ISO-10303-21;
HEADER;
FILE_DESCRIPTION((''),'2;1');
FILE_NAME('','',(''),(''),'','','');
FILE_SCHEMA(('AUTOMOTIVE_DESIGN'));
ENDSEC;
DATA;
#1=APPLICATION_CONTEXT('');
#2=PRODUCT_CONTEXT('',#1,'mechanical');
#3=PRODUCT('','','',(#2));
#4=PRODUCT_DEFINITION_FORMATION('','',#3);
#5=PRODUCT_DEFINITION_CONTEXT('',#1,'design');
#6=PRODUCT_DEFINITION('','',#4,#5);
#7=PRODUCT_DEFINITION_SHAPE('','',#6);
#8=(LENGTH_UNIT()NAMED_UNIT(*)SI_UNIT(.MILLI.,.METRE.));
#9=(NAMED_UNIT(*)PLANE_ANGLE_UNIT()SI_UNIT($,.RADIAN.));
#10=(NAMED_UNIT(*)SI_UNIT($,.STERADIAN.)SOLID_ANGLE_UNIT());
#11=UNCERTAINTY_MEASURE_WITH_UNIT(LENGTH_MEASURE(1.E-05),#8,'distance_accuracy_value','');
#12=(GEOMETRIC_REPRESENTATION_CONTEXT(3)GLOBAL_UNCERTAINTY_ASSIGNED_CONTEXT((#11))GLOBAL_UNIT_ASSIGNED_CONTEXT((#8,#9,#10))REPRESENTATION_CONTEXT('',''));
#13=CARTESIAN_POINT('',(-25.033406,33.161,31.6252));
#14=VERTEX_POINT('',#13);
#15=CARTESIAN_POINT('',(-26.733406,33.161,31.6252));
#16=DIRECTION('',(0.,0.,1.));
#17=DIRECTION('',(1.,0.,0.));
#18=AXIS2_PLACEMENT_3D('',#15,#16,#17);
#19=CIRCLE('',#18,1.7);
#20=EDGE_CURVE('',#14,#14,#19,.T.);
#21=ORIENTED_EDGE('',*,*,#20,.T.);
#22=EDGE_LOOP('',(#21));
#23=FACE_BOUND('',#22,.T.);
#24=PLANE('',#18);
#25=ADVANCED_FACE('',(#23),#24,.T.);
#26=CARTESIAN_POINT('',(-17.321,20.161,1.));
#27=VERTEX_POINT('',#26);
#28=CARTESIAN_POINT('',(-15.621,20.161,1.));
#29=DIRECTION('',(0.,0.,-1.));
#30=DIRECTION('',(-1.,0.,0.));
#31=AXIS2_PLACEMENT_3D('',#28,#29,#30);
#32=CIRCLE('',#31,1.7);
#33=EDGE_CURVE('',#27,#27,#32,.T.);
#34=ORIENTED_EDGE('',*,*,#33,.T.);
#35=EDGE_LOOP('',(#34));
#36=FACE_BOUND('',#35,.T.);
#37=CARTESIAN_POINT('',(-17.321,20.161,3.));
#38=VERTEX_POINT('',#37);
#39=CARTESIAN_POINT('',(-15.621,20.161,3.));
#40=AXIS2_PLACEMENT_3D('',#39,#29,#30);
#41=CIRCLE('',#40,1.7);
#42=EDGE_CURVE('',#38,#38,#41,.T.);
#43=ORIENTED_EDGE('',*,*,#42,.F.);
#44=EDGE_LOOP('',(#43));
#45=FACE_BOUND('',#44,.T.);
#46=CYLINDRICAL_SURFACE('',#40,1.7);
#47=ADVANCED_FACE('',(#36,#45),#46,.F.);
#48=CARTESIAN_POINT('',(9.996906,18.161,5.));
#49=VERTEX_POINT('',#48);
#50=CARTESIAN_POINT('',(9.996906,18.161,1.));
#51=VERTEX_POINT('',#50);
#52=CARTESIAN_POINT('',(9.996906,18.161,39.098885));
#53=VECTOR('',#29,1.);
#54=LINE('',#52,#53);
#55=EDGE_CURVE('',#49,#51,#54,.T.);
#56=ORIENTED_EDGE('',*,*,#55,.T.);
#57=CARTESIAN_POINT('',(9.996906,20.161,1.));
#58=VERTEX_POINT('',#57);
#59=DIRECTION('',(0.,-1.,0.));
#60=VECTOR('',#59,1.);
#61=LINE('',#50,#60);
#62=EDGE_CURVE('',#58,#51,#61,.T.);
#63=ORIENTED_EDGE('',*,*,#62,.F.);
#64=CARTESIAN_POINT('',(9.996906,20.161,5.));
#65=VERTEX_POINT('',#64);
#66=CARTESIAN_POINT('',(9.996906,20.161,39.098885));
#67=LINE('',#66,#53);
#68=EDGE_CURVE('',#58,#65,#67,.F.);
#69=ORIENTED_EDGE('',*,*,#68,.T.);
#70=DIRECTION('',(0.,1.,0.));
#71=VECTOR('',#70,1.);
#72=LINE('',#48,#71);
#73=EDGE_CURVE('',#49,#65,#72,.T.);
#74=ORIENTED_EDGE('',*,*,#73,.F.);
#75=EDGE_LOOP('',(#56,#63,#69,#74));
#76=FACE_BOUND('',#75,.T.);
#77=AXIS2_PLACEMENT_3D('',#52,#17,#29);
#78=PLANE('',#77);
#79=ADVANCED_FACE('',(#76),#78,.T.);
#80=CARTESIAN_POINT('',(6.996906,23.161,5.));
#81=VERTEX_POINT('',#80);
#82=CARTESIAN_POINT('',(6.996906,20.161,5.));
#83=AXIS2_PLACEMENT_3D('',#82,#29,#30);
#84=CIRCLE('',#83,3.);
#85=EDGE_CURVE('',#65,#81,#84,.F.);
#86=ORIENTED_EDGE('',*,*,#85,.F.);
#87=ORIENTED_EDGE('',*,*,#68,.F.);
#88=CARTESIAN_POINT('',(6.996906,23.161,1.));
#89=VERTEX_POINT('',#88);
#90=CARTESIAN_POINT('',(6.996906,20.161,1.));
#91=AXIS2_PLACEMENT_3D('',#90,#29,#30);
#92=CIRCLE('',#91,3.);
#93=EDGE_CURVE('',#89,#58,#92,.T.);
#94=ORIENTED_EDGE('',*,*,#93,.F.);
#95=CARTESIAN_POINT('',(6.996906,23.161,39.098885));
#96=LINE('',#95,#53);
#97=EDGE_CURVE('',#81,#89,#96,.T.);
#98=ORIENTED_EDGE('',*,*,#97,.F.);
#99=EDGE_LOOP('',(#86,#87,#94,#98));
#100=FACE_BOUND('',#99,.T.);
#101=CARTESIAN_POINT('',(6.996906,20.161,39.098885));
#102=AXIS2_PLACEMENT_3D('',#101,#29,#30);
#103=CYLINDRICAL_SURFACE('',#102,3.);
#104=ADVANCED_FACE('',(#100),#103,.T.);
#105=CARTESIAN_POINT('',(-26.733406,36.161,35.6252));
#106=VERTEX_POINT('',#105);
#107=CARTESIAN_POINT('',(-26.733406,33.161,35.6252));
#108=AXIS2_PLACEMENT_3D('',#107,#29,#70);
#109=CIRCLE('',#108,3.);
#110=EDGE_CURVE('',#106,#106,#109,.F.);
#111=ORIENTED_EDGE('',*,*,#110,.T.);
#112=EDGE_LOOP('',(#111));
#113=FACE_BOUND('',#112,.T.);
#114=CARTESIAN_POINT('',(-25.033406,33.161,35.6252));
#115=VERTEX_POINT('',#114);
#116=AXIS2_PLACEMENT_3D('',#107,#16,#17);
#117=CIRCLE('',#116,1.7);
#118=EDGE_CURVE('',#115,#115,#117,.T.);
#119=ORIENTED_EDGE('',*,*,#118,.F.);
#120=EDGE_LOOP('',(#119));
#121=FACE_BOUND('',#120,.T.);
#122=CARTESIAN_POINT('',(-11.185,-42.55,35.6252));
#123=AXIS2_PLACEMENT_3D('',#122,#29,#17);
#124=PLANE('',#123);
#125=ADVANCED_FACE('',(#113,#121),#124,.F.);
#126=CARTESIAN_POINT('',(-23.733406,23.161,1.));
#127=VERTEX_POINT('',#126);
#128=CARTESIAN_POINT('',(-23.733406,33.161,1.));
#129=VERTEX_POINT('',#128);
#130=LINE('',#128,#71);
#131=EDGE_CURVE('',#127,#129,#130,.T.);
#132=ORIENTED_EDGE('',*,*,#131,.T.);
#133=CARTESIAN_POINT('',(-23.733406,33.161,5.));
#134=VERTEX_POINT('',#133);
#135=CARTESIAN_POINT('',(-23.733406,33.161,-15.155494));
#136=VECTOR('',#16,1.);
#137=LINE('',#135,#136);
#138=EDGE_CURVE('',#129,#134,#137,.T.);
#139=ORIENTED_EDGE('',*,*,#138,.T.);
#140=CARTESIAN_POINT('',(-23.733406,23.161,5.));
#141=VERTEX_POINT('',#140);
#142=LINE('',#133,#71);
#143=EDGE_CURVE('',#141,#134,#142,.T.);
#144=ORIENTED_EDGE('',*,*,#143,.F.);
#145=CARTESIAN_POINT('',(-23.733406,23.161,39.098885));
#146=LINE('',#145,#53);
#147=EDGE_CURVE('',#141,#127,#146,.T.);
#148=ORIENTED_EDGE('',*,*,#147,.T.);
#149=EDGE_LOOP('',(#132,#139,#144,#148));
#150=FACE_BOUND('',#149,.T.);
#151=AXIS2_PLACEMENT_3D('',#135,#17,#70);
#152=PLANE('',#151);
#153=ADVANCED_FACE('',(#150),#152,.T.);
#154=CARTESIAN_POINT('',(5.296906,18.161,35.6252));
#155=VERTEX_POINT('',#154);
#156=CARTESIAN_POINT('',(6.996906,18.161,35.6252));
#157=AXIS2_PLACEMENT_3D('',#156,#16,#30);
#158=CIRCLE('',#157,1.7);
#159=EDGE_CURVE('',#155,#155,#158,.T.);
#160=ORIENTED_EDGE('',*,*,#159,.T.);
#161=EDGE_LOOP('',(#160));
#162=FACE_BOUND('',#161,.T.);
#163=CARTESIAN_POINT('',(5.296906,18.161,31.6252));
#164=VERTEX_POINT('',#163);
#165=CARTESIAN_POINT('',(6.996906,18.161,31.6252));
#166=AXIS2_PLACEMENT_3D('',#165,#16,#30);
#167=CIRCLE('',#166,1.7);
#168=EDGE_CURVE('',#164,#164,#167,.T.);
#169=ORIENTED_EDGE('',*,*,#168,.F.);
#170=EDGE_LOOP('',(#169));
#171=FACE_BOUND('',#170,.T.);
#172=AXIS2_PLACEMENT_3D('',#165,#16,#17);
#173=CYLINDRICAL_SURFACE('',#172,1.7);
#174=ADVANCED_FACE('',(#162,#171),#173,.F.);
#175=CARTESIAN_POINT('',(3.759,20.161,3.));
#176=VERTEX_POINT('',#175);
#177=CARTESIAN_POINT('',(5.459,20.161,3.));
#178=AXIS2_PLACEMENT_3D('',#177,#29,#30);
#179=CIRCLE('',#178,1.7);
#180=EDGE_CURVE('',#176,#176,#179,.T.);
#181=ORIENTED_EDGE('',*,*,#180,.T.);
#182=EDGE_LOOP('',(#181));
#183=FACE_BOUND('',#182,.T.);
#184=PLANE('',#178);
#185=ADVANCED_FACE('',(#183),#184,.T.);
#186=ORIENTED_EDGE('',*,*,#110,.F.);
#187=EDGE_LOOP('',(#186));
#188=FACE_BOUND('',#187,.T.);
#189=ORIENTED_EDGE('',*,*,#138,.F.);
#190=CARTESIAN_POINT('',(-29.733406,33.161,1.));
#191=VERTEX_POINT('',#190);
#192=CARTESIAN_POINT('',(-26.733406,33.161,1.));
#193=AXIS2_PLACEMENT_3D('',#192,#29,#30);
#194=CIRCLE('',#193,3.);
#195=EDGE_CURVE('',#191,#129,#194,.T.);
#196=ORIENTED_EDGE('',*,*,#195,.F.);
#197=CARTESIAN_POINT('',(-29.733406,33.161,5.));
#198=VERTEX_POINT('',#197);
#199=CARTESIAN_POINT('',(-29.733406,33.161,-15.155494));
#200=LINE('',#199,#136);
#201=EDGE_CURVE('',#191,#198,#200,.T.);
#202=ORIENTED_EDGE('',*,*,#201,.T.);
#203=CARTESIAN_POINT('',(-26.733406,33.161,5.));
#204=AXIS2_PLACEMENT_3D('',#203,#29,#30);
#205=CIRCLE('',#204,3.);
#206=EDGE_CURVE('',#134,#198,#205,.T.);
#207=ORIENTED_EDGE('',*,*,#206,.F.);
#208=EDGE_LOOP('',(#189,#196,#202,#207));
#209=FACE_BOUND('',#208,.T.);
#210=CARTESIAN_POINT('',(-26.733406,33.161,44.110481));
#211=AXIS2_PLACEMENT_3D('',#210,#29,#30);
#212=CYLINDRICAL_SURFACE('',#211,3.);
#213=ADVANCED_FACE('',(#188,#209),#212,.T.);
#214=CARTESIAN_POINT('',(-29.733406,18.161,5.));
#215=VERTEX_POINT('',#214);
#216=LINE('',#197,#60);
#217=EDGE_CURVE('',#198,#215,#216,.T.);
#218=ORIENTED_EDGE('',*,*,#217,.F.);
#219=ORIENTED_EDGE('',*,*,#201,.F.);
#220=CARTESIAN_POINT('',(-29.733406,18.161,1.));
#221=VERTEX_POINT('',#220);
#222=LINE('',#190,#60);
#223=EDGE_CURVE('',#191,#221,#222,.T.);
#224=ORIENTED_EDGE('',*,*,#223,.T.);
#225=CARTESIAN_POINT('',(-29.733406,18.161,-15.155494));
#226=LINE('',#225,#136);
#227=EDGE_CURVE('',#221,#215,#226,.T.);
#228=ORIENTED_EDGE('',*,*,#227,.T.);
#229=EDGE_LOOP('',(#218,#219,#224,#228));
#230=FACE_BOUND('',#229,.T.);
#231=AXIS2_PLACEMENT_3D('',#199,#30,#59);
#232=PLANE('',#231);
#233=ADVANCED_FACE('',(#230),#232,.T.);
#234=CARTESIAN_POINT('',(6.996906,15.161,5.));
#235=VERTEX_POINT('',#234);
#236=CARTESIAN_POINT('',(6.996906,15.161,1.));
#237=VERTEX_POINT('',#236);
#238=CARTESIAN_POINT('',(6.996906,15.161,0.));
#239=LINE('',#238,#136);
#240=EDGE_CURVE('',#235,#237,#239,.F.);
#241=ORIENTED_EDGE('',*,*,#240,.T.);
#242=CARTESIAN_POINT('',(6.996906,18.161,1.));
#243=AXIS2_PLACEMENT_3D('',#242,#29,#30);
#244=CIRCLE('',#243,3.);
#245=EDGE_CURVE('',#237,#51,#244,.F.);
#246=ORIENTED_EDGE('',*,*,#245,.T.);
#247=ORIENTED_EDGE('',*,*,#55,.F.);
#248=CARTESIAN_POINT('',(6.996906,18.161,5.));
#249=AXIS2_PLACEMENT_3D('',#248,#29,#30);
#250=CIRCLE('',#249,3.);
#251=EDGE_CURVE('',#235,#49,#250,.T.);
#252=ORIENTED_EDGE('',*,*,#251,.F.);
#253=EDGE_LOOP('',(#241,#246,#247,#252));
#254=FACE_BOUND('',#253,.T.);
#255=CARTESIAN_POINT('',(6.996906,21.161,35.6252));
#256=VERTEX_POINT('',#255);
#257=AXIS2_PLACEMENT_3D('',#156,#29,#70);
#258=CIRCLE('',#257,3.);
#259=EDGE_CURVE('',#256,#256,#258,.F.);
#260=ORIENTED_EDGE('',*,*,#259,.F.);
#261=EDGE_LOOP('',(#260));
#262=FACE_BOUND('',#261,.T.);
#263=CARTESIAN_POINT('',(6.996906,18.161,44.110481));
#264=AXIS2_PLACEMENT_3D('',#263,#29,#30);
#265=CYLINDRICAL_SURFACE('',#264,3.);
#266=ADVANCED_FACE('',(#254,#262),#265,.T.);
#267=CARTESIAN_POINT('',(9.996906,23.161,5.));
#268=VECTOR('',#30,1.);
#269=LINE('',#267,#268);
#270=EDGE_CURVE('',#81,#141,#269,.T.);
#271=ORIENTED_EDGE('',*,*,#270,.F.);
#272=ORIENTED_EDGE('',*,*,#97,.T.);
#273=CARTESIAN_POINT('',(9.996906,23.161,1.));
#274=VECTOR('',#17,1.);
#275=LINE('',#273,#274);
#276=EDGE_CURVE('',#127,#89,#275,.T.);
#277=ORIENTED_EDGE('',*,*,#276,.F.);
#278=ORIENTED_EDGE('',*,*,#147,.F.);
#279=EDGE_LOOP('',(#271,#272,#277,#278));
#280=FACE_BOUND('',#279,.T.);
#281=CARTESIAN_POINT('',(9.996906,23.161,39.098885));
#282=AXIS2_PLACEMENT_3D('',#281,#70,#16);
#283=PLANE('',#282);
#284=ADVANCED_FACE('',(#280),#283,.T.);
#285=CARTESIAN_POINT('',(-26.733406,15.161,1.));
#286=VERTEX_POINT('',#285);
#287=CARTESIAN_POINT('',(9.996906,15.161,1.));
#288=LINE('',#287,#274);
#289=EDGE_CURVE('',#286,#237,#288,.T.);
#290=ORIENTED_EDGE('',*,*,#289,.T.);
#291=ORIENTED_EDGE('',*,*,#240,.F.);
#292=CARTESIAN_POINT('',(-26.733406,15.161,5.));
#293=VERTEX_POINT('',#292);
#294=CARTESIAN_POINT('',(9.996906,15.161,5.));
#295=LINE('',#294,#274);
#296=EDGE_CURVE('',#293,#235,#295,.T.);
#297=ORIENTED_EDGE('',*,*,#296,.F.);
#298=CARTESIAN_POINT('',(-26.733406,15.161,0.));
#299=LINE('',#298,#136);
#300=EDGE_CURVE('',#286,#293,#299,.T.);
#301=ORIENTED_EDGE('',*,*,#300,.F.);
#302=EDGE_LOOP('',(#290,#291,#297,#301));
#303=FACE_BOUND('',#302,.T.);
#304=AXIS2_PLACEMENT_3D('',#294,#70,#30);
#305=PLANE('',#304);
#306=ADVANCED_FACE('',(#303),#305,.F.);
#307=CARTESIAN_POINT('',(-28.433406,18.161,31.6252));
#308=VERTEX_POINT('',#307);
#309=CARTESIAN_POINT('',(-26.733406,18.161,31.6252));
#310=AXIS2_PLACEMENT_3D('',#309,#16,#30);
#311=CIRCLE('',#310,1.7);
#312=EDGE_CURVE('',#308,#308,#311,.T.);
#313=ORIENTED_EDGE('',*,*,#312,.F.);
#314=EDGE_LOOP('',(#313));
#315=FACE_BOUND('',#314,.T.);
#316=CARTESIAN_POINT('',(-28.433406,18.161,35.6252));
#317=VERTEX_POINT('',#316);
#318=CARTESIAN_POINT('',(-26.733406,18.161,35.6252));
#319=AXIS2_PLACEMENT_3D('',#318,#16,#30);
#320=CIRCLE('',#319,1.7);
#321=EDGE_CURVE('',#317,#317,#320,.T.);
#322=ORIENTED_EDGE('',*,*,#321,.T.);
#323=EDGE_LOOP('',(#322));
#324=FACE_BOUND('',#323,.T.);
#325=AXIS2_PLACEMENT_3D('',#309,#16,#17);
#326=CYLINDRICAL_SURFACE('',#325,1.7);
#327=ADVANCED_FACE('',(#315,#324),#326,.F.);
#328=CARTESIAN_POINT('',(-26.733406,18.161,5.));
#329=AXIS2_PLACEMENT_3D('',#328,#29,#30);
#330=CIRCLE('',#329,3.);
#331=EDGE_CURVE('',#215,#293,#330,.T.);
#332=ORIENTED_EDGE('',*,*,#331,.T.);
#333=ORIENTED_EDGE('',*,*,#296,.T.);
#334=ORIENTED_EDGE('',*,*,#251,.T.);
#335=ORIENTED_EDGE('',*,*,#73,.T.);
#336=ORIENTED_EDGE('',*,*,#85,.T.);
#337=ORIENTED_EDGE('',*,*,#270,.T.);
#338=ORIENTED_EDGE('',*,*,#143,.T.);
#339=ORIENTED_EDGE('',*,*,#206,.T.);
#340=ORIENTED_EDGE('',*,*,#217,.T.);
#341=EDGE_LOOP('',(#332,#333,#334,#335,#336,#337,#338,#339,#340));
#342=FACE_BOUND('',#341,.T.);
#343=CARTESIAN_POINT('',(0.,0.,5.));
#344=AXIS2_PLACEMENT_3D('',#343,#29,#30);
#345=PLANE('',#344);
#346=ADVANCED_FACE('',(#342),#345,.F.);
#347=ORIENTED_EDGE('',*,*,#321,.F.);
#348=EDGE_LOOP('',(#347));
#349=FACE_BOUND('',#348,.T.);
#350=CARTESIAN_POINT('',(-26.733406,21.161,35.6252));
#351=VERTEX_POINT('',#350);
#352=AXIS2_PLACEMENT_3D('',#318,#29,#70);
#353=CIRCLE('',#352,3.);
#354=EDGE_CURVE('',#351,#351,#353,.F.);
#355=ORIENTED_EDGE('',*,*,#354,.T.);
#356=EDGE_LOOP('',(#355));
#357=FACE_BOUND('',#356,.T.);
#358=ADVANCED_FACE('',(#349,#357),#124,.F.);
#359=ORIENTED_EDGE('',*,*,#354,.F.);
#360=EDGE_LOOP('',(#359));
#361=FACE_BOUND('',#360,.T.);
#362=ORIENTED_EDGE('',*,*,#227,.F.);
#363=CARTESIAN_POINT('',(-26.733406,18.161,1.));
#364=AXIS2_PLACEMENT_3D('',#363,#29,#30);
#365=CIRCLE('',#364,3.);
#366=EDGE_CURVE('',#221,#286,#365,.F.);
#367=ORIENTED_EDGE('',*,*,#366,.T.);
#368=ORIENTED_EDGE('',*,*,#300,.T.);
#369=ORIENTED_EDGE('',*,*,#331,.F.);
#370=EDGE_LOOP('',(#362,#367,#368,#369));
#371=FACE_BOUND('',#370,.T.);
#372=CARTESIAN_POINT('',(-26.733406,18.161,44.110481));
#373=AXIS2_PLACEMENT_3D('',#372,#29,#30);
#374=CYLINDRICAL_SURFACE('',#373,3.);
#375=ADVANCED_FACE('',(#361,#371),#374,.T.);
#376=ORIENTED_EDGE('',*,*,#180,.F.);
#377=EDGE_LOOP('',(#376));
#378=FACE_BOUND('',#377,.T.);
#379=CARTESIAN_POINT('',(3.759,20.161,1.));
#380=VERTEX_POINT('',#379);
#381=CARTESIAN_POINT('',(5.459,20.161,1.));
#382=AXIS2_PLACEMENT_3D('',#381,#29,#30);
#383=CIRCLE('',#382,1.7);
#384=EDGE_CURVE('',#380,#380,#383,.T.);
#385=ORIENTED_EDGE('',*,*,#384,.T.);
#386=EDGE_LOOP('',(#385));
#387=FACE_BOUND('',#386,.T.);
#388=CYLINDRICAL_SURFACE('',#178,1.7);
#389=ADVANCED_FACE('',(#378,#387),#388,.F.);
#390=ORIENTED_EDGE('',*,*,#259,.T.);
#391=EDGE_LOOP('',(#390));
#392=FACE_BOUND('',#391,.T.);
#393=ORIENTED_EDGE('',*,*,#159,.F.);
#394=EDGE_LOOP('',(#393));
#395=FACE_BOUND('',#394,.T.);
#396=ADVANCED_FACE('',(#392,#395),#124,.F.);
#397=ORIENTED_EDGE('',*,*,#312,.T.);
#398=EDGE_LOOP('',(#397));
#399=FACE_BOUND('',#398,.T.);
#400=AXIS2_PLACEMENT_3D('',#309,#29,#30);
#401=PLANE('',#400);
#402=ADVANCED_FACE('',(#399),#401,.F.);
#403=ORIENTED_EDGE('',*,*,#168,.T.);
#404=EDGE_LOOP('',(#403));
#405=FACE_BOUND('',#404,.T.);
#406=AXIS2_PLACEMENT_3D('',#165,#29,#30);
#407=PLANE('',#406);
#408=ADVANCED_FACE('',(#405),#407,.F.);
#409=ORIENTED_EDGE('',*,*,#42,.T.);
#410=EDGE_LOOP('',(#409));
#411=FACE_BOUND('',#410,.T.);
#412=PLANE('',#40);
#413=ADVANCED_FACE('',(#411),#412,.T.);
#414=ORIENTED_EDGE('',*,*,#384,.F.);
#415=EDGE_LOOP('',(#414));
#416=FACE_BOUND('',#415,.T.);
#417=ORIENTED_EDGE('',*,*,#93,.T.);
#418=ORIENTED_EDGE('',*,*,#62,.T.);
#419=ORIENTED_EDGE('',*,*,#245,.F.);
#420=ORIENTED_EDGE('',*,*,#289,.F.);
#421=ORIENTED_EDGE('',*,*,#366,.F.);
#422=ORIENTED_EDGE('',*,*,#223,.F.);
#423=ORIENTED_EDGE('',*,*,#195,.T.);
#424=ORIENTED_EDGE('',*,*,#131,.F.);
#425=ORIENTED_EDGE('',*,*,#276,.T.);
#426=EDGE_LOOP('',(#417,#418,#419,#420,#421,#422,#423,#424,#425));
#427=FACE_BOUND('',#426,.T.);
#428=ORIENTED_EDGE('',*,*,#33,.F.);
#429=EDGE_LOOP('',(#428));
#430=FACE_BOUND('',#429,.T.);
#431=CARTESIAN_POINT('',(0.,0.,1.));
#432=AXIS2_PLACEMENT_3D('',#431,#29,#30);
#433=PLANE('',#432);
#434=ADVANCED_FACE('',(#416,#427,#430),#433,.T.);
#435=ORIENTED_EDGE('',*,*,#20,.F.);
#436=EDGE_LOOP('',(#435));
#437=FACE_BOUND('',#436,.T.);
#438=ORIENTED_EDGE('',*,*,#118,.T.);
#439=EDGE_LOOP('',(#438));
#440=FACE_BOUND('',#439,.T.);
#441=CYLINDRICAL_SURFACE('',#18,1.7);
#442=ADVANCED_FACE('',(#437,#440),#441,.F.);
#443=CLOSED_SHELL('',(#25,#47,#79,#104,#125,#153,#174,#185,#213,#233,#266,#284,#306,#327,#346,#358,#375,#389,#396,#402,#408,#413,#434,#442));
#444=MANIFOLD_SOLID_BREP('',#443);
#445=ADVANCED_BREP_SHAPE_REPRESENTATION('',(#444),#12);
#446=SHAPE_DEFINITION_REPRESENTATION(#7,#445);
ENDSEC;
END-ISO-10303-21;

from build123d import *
from build123d.topology import SkipClean

# Parameters (mm, degrees)
SKIZZE1_R                         = 3
AUFSATZ_LINEAR_AUSTRAGEN1_DEPTH   = 4
AUFSATZ_LINEAR_AUSTRAGEN1_2_DEPTH = 4
AUFSATZ_LINEAR_START              = 1
SKIZZE2_W                         = 39.730311682
SKIZZE2_H                         = 6
AUFSATZ_LINEAR_AUSTRAGEN2_DEPTH   = 4
SKIZZE3_R                         = 3
AUFSATZ_LINEAR_AUSTRAGEN3_DEPTH   = 34.6252
SCHNITT_LINEAR_AUSTRAGEN1_DEPTH   = 56.942794256
SKIZZE11_W                        = 6
SKIZZE11_H                        = 15
AUFSATZ_LINEAR_AUSTRAGEN8_DEPTH   = 4
SKIZZE12_R                        = 1.7
SCHNITT_LINEAR_AUSTRAGEN6_DEPTH   = 4
SKIZZE14_W                        = 25.08
SKIZZE14_H                        = 6
SCHNITT_LINEAR_AUSTRAGEN8_DEPTH   = 59.228840184
SKIZZE15_W                        = 33.730311682
SKIZZE15_H                        = 5
AUFSATZ_LINEAR_AUSTRAGEN9_DEPTH   = 4
SKIZZE17_R                        = 1.7
SCHNITT_LINEAR_AUSTRAGEN9_DEPTH   = 2
VERRUNDUNG1_R                     = 3


with BuildPart() as part:
    # Skizze1 → Aufsatz-Linear austragen1 (new body)
    with BuildSketch(Plane.XY):
        with Locations((-15.621, 18.161)):
            Circle(SKIZZE1_R)
    extrude(amount=AUFSATZ_LINEAR_AUSTRAGEN1_DEPTH)



with BuildPart() as body_2:
    # Skizze1 → Aufsatz-Linear austragen1 2 (new body)
    with BuildSketch(Plane.XY):
        with Locations(Location((3.459, 18.161, 0), (0, 0, 180))):
            Circle(SKIZZE1_R)
    extrude(amount=AUFSATZ_LINEAR_AUSTRAGEN1_2_DEPTH)


with BuildPart() as part_1:
    add(part.part)

    add(body_2.part)  # Aufsatz-Linear austragen2 merges body 2
    # Skizze2 → Aufsatz-Linear austragen2 (add)
    with BuildSketch(Plane.XY.offset(AUFSATZ_LINEAR_START)):
        with Locations((-9.868250172, 18.161)):
            Rectangle(SKIZZE2_W, SKIZZE2_H)
    extrude(amount=AUFSATZ_LINEAR_AUSTRAGEN2_DEPTH)

    # Skizze3 → Aufsatz-Linear austragen3 (add)
    with BuildSketch(Plane.XY.offset(1)):
        with Locations(Location((-26.733406013, 18.161, 0), (0, 0, 90))):
            Circle(SKIZZE3_R)
        with Locations(Location((6.996905669, 18.161, 0), (0, 0, 90))):
            Circle(SKIZZE3_R)
        with Locations(Location((-26.733406013, 33.161, 0), (0, 0, 180))):
            Circle(SKIZZE3_R)
    extrude(amount=AUFSATZ_LINEAR_AUSTRAGEN3_DEPTH)


with BuildPart() as aufsatz_linear_austragen3_piece_1:
    # of the separate pieces the step leaves, piece 1, a body of its own (aufsatz_linear_austragen3_pieces)
    add(part_1.part.solids().sort_by_distance((-12.621, 18.161, 0))[0])

    # Skizze5 → Schnitt-Linear austragen1 (cut, through all)
    with SkipClean():  # the faces are left unmerged after this step: merging them gives an invalid solid
        with BuildSketch(Plane.XY.offset(5)):
            with BuildLine():
                Line((-26.733406013, 21.161), (-36.757848336, 21.161))
                Line((-36.757848336, 21.161), (-36.757848336, 15.161))
                Line((-36.757848336, 15.161), (-26.733406013, 15.161))
                ThreePointArc((-26.733406013, 15.161), (-29.733406013, 18.161), (-26.733406013, 21.161))
            make_face()
            with BuildLine():
                Line((17.021347992, 15.161), (6.996905669, 15.161))
                ThreePointArc((6.996905669, 15.161), (9.996905669, 18.161), (6.996905669, 21.161))
                Line((6.996905669, 21.161), (17.021347992, 21.161))
                Line((17.021347992, 21.161), (17.021347992, 15.161))
            make_face()
        extrude(amount=-SCHNITT_LINEAR_AUSTRAGEN1_DEPTH, mode=Mode.SUBTRACT)



with BuildPart() as aufsatz_linear_austragen3_piece_2:
    # of the separate pieces the step leaves, piece 2, a body of its own (aufsatz_linear_austragen3_pieces)
    add(part_1.part.solids().sort_by_distance((-29.733406013, 33.161, 1))[0])


with BuildPart() as aufsatz_linear_austragen3_piece_1_1:
    with SkipClean():  # the faces are left unmerged after this step: merging them gives an invalid solid
        add(aufsatz_linear_austragen3_piece_1.part)

        add(aufsatz_linear_austragen3_piece_2.part)  # Aufsatz-Linear austragen8 merges Aufsatz-Linear austragen3 piece 2
        # Skizze11 → Aufsatz-Linear austragen8 (add)
        with BuildSketch(Plane.XY.offset(5)):
            with Locations((-26.733406013, 25.661)):
                Rectangle(SKIZZE11_W, SKIZZE11_H)
        extrude(amount=-AUFSATZ_LINEAR_AUSTRAGEN8_DEPTH)

    # Skizze12 → Schnitt-Linear austragen6 (cut)
    with SkipClean():  # the faces are left unmerged after this step: merging them gives an invalid solid
        with BuildSketch(Plane.XY.offset(35.6252)):
            with Locations((-26.733406013, 33.161)):
                Circle(SKIZZE12_R)
            with Locations(Location((-26.733406013, 18.161, 0), (0, 0, 180))):
                Circle(SKIZZE12_R)
            with Locations(Location((6.996905669, 18.161, 0), (0, 0, 180))):
                Circle(SKIZZE12_R)
        extrude(amount=-SCHNITT_LINEAR_AUSTRAGEN6_DEPTH, mode=Mode.SUBTRACT)

    # Skizze14 → Schnitt-Linear austragen8 (cut, through all)
    with SkipClean():  # the faces are left unmerged after this step: merging them gives an invalid solid
        with BuildSketch(Plane(origin=(0, 0, 1), x_dir=(-1, 0, 0), z_dir=(0, 0, -1))):
            with Locations((6.081, 18.161)):
                Rectangle(SKIZZE14_W, SKIZZE14_H)
        extrude(amount=SCHNITT_LINEAR_AUSTRAGEN8_DEPTH, mode=Mode.SUBTRACT)

    # Skizze15 → Aufsatz-Linear austragen9 (add)
    with BuildSketch(Plane(origin=(0, 0, 1), x_dir=(-1, 0, 0), z_dir=(0, 0, -1))):
        with Locations((6.868250172, 20.661)):
            Rectangle(SKIZZE15_W, SKIZZE15_H)
    extrude(amount=-AUFSATZ_LINEAR_AUSTRAGEN9_DEPTH)

    # Skizze17 → Schnitt-Linear austragen9 (cut)
    with BuildSketch(Plane(origin=(0, 0, 1), x_dir=(-1, 0, 0), z_dir=(0, 0, -1))):
        with Locations((-5.459, 20.161)):
            Circle(SKIZZE17_R)
        with Locations((15.621, 20.161)):
            Circle(SKIZZE17_R)
    extrude(amount=-SCHNITT_LINEAR_AUSTRAGEN9_DEPTH, mode=Mode.SUBTRACT)

    # Verrundung1
    verrundung1_edges = [aufsatz_linear_austragen3_piece_1_1.edges().sort_by_distance(p)[0] for p in [
        (9.996905669, 23.161, 3),
    ]]
    fillet(verrundung1_edges, radius=VERRUNDUNG1_R)


solid = aufsatz_linear_austragen3_piece_1_1.part
